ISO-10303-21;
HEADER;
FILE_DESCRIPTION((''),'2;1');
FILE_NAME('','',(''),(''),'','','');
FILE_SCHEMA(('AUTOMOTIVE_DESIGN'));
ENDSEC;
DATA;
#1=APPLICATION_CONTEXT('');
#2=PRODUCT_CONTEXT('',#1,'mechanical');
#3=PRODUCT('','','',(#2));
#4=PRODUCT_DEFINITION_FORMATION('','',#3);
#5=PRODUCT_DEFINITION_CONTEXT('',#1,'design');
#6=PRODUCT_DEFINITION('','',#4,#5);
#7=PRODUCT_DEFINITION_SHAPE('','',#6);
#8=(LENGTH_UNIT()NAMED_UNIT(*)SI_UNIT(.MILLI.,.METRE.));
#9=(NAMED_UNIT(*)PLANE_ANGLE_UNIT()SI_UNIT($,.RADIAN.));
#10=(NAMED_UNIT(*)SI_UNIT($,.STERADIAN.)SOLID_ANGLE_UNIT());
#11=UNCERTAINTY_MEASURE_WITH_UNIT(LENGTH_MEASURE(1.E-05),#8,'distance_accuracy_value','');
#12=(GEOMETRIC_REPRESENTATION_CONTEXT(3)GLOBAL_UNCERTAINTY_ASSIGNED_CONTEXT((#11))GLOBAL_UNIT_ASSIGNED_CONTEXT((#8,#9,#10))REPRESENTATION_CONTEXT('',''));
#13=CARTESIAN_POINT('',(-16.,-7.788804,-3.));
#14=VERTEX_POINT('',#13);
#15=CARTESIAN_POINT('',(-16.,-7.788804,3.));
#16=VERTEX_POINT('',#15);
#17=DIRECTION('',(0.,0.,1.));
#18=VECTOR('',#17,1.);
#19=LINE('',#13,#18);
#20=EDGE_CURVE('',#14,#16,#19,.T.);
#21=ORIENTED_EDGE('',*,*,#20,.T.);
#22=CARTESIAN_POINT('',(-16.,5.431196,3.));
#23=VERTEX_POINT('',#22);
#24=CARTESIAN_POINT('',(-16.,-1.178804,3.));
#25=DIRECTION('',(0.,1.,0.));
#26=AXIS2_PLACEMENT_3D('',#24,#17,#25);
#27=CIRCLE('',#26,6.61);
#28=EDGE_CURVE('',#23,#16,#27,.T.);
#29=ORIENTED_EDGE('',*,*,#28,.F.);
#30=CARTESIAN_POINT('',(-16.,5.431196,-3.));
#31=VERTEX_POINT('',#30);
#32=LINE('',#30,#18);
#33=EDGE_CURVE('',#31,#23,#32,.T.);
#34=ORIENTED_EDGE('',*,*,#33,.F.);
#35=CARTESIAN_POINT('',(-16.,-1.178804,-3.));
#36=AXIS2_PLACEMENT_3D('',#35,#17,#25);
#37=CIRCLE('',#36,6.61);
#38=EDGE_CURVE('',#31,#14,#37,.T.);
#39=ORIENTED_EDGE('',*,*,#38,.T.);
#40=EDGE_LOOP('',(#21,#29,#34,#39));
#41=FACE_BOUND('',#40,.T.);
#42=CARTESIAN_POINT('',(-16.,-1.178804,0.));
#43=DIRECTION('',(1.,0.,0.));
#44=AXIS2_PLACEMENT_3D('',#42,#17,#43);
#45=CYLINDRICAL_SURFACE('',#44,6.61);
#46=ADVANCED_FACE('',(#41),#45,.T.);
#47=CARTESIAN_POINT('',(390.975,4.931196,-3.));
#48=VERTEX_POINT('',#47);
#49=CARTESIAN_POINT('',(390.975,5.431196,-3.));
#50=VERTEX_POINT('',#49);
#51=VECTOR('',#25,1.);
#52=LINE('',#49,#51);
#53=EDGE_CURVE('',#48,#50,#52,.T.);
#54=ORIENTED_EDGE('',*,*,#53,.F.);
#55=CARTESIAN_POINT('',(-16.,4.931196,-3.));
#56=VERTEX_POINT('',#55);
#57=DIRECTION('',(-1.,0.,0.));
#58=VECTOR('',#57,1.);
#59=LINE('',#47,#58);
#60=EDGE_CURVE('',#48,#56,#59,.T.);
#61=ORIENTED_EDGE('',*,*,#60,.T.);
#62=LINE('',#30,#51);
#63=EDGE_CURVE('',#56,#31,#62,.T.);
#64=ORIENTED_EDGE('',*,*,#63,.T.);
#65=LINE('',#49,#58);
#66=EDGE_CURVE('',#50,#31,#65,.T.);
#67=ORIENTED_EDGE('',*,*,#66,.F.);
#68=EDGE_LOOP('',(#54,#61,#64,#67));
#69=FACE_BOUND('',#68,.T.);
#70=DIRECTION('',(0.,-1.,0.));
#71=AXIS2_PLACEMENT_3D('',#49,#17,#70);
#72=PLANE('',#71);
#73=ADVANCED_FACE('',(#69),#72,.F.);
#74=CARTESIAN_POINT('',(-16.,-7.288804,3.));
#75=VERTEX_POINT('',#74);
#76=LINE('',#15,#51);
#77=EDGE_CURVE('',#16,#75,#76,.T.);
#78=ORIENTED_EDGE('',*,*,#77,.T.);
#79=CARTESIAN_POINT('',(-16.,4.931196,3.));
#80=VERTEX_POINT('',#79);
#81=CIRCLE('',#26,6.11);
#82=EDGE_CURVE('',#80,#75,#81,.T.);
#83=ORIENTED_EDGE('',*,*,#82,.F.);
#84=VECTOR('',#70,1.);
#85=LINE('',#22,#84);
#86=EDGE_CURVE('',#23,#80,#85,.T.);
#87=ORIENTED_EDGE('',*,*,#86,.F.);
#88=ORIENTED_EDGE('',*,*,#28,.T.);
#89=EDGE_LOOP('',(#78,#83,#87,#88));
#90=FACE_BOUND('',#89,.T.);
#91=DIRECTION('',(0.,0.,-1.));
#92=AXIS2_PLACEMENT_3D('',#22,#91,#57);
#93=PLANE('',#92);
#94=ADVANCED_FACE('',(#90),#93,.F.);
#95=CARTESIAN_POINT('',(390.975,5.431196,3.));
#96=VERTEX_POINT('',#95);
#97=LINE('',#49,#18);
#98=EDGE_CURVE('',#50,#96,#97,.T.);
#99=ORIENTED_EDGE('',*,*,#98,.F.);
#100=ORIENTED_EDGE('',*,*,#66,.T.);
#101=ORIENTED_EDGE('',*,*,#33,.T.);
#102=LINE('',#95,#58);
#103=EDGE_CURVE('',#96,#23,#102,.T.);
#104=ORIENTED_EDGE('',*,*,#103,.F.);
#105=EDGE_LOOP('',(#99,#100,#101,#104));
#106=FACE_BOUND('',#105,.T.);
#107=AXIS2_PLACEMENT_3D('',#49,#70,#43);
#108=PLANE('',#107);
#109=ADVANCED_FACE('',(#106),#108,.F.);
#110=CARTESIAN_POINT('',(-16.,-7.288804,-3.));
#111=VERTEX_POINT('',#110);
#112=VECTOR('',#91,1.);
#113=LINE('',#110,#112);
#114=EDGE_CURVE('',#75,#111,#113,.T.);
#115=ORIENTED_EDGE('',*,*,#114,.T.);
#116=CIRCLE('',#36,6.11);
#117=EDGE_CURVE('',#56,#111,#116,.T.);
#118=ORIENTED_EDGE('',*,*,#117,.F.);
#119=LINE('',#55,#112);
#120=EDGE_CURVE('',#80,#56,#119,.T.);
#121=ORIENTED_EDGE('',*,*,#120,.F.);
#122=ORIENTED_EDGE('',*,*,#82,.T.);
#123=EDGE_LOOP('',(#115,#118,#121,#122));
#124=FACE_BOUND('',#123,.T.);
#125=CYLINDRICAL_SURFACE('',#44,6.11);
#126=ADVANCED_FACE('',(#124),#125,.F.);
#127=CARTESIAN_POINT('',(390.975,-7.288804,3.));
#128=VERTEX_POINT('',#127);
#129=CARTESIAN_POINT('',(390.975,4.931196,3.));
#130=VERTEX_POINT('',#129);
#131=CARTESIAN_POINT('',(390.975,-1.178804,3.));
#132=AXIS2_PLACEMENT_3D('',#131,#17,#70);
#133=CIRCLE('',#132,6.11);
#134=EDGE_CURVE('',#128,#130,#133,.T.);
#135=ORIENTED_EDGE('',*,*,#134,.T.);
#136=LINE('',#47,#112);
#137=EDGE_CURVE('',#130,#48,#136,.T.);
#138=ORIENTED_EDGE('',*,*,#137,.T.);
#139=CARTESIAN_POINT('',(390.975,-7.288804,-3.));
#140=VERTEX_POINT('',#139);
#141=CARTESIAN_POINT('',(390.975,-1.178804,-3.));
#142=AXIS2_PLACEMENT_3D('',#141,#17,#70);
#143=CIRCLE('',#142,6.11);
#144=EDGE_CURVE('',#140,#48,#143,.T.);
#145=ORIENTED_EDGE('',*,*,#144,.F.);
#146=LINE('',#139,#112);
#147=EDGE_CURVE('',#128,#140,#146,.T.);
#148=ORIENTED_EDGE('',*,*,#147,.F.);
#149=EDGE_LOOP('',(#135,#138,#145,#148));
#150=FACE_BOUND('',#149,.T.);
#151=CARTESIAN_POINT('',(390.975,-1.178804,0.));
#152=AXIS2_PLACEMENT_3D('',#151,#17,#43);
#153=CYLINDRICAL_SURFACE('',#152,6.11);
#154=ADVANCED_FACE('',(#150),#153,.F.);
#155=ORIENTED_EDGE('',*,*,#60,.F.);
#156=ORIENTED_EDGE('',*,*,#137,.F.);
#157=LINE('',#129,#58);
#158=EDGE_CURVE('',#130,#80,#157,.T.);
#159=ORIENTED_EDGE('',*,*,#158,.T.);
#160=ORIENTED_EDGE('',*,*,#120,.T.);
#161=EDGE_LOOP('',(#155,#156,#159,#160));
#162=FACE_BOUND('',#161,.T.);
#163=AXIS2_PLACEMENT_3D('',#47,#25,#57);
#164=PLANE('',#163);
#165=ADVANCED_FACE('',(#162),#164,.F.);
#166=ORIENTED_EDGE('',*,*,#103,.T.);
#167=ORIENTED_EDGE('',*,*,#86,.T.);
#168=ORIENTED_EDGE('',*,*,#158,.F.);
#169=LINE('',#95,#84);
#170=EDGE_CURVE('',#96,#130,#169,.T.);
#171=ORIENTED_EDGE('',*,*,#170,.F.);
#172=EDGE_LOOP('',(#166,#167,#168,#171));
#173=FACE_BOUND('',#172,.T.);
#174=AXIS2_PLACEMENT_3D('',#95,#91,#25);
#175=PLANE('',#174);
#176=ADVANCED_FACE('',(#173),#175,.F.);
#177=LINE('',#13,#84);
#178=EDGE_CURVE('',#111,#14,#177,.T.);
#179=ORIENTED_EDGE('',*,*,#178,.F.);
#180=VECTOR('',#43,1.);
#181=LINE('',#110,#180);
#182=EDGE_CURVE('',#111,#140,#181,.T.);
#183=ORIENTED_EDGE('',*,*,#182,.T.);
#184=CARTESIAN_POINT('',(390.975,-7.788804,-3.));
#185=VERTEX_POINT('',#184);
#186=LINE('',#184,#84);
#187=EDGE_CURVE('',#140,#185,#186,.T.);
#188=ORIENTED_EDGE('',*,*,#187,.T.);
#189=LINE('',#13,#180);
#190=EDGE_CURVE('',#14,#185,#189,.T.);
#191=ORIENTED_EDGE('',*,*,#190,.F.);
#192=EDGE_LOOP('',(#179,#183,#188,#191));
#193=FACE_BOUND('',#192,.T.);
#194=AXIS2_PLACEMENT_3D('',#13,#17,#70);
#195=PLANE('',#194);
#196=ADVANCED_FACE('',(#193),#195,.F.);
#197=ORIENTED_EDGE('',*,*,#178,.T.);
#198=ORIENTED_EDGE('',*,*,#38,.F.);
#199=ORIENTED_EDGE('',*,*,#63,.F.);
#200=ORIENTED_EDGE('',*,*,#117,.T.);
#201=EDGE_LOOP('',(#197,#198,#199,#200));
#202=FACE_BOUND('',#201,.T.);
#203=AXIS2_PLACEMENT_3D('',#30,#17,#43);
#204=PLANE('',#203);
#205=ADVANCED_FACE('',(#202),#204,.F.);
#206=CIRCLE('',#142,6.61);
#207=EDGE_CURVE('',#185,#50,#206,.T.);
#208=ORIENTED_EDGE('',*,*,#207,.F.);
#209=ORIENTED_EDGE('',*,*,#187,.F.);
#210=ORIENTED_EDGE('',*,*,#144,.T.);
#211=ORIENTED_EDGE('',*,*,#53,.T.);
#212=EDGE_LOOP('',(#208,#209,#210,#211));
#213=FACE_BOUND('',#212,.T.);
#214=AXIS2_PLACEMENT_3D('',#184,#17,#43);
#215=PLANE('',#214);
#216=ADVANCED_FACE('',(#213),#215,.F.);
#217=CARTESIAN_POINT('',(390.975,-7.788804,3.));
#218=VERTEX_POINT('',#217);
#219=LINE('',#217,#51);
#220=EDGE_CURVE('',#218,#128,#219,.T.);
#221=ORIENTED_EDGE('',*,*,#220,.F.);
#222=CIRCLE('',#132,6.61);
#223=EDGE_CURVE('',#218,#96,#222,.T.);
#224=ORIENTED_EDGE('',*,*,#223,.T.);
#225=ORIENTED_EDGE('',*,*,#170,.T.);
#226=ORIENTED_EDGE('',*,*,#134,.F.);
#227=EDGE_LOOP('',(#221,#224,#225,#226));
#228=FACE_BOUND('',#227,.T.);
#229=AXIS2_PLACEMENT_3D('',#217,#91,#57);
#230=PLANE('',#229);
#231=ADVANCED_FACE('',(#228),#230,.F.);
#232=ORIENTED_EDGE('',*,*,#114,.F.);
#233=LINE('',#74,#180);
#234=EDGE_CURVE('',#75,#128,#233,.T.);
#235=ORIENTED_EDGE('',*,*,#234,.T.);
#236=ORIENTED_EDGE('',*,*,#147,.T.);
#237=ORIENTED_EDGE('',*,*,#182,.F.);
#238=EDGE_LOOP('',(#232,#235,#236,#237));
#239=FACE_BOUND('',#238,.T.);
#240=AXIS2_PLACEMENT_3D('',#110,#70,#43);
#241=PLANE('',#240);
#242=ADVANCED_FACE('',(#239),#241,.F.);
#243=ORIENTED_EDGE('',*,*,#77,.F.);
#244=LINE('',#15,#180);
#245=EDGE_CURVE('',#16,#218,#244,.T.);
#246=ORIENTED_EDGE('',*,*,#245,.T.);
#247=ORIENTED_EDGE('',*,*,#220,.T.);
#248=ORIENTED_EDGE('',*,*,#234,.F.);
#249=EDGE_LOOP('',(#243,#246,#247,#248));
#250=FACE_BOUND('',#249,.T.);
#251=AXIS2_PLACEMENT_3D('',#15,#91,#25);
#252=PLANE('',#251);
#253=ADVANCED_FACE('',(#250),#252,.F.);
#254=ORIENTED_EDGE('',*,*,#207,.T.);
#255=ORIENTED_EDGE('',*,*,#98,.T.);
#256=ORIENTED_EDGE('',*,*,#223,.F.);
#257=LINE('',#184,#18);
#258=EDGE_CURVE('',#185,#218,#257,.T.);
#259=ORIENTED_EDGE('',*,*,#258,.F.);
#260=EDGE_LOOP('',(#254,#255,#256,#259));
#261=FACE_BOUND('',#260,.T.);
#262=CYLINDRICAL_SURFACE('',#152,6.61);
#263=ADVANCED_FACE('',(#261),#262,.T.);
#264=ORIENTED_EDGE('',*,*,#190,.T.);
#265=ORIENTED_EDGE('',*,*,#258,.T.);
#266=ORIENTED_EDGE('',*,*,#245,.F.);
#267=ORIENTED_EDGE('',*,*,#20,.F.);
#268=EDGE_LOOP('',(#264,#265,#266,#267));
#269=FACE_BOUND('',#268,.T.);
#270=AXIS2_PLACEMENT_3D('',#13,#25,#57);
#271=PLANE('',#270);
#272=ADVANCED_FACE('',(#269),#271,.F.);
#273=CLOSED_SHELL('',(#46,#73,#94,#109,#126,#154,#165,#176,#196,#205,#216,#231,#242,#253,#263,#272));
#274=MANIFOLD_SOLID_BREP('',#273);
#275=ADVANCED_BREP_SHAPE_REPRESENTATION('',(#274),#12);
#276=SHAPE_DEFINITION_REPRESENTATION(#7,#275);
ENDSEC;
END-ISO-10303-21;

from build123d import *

# Parameters (mm, degrees)
SKETCH2_W = 6
SKETCH2_H = 0.5


with BuildPart() as part:
    # Sweep1: sweep along a path in Sketch1
    with BuildLine(Plane.XY) as sweep1_path:
        Line((-16, 4.931196244), (390.975, 4.931196244))
        ThreePointArc((390.975, 4.931196244), (397.085, -1.178803756), (390.975, -7.288803756))
        Line((390.975, -7.288803756), (-16, -7.288803756))
        ThreePointArc((-16, -7.288803756), (-22.11, -1.178803756), (-16, 4.931196244))
    # Sketch2 → Sweep1 (sweep)
    with BuildSketch(Plane(origin=(-16, 0, 0), x_dir=(0, 0, -1), z_dir=(1, 0, 0))):
        with Locations((0, 5.181196244)):
            Rectangle(SKETCH2_W, SKETCH2_H)
    sweep(path=sweep1_path.line)


solid = part.part
